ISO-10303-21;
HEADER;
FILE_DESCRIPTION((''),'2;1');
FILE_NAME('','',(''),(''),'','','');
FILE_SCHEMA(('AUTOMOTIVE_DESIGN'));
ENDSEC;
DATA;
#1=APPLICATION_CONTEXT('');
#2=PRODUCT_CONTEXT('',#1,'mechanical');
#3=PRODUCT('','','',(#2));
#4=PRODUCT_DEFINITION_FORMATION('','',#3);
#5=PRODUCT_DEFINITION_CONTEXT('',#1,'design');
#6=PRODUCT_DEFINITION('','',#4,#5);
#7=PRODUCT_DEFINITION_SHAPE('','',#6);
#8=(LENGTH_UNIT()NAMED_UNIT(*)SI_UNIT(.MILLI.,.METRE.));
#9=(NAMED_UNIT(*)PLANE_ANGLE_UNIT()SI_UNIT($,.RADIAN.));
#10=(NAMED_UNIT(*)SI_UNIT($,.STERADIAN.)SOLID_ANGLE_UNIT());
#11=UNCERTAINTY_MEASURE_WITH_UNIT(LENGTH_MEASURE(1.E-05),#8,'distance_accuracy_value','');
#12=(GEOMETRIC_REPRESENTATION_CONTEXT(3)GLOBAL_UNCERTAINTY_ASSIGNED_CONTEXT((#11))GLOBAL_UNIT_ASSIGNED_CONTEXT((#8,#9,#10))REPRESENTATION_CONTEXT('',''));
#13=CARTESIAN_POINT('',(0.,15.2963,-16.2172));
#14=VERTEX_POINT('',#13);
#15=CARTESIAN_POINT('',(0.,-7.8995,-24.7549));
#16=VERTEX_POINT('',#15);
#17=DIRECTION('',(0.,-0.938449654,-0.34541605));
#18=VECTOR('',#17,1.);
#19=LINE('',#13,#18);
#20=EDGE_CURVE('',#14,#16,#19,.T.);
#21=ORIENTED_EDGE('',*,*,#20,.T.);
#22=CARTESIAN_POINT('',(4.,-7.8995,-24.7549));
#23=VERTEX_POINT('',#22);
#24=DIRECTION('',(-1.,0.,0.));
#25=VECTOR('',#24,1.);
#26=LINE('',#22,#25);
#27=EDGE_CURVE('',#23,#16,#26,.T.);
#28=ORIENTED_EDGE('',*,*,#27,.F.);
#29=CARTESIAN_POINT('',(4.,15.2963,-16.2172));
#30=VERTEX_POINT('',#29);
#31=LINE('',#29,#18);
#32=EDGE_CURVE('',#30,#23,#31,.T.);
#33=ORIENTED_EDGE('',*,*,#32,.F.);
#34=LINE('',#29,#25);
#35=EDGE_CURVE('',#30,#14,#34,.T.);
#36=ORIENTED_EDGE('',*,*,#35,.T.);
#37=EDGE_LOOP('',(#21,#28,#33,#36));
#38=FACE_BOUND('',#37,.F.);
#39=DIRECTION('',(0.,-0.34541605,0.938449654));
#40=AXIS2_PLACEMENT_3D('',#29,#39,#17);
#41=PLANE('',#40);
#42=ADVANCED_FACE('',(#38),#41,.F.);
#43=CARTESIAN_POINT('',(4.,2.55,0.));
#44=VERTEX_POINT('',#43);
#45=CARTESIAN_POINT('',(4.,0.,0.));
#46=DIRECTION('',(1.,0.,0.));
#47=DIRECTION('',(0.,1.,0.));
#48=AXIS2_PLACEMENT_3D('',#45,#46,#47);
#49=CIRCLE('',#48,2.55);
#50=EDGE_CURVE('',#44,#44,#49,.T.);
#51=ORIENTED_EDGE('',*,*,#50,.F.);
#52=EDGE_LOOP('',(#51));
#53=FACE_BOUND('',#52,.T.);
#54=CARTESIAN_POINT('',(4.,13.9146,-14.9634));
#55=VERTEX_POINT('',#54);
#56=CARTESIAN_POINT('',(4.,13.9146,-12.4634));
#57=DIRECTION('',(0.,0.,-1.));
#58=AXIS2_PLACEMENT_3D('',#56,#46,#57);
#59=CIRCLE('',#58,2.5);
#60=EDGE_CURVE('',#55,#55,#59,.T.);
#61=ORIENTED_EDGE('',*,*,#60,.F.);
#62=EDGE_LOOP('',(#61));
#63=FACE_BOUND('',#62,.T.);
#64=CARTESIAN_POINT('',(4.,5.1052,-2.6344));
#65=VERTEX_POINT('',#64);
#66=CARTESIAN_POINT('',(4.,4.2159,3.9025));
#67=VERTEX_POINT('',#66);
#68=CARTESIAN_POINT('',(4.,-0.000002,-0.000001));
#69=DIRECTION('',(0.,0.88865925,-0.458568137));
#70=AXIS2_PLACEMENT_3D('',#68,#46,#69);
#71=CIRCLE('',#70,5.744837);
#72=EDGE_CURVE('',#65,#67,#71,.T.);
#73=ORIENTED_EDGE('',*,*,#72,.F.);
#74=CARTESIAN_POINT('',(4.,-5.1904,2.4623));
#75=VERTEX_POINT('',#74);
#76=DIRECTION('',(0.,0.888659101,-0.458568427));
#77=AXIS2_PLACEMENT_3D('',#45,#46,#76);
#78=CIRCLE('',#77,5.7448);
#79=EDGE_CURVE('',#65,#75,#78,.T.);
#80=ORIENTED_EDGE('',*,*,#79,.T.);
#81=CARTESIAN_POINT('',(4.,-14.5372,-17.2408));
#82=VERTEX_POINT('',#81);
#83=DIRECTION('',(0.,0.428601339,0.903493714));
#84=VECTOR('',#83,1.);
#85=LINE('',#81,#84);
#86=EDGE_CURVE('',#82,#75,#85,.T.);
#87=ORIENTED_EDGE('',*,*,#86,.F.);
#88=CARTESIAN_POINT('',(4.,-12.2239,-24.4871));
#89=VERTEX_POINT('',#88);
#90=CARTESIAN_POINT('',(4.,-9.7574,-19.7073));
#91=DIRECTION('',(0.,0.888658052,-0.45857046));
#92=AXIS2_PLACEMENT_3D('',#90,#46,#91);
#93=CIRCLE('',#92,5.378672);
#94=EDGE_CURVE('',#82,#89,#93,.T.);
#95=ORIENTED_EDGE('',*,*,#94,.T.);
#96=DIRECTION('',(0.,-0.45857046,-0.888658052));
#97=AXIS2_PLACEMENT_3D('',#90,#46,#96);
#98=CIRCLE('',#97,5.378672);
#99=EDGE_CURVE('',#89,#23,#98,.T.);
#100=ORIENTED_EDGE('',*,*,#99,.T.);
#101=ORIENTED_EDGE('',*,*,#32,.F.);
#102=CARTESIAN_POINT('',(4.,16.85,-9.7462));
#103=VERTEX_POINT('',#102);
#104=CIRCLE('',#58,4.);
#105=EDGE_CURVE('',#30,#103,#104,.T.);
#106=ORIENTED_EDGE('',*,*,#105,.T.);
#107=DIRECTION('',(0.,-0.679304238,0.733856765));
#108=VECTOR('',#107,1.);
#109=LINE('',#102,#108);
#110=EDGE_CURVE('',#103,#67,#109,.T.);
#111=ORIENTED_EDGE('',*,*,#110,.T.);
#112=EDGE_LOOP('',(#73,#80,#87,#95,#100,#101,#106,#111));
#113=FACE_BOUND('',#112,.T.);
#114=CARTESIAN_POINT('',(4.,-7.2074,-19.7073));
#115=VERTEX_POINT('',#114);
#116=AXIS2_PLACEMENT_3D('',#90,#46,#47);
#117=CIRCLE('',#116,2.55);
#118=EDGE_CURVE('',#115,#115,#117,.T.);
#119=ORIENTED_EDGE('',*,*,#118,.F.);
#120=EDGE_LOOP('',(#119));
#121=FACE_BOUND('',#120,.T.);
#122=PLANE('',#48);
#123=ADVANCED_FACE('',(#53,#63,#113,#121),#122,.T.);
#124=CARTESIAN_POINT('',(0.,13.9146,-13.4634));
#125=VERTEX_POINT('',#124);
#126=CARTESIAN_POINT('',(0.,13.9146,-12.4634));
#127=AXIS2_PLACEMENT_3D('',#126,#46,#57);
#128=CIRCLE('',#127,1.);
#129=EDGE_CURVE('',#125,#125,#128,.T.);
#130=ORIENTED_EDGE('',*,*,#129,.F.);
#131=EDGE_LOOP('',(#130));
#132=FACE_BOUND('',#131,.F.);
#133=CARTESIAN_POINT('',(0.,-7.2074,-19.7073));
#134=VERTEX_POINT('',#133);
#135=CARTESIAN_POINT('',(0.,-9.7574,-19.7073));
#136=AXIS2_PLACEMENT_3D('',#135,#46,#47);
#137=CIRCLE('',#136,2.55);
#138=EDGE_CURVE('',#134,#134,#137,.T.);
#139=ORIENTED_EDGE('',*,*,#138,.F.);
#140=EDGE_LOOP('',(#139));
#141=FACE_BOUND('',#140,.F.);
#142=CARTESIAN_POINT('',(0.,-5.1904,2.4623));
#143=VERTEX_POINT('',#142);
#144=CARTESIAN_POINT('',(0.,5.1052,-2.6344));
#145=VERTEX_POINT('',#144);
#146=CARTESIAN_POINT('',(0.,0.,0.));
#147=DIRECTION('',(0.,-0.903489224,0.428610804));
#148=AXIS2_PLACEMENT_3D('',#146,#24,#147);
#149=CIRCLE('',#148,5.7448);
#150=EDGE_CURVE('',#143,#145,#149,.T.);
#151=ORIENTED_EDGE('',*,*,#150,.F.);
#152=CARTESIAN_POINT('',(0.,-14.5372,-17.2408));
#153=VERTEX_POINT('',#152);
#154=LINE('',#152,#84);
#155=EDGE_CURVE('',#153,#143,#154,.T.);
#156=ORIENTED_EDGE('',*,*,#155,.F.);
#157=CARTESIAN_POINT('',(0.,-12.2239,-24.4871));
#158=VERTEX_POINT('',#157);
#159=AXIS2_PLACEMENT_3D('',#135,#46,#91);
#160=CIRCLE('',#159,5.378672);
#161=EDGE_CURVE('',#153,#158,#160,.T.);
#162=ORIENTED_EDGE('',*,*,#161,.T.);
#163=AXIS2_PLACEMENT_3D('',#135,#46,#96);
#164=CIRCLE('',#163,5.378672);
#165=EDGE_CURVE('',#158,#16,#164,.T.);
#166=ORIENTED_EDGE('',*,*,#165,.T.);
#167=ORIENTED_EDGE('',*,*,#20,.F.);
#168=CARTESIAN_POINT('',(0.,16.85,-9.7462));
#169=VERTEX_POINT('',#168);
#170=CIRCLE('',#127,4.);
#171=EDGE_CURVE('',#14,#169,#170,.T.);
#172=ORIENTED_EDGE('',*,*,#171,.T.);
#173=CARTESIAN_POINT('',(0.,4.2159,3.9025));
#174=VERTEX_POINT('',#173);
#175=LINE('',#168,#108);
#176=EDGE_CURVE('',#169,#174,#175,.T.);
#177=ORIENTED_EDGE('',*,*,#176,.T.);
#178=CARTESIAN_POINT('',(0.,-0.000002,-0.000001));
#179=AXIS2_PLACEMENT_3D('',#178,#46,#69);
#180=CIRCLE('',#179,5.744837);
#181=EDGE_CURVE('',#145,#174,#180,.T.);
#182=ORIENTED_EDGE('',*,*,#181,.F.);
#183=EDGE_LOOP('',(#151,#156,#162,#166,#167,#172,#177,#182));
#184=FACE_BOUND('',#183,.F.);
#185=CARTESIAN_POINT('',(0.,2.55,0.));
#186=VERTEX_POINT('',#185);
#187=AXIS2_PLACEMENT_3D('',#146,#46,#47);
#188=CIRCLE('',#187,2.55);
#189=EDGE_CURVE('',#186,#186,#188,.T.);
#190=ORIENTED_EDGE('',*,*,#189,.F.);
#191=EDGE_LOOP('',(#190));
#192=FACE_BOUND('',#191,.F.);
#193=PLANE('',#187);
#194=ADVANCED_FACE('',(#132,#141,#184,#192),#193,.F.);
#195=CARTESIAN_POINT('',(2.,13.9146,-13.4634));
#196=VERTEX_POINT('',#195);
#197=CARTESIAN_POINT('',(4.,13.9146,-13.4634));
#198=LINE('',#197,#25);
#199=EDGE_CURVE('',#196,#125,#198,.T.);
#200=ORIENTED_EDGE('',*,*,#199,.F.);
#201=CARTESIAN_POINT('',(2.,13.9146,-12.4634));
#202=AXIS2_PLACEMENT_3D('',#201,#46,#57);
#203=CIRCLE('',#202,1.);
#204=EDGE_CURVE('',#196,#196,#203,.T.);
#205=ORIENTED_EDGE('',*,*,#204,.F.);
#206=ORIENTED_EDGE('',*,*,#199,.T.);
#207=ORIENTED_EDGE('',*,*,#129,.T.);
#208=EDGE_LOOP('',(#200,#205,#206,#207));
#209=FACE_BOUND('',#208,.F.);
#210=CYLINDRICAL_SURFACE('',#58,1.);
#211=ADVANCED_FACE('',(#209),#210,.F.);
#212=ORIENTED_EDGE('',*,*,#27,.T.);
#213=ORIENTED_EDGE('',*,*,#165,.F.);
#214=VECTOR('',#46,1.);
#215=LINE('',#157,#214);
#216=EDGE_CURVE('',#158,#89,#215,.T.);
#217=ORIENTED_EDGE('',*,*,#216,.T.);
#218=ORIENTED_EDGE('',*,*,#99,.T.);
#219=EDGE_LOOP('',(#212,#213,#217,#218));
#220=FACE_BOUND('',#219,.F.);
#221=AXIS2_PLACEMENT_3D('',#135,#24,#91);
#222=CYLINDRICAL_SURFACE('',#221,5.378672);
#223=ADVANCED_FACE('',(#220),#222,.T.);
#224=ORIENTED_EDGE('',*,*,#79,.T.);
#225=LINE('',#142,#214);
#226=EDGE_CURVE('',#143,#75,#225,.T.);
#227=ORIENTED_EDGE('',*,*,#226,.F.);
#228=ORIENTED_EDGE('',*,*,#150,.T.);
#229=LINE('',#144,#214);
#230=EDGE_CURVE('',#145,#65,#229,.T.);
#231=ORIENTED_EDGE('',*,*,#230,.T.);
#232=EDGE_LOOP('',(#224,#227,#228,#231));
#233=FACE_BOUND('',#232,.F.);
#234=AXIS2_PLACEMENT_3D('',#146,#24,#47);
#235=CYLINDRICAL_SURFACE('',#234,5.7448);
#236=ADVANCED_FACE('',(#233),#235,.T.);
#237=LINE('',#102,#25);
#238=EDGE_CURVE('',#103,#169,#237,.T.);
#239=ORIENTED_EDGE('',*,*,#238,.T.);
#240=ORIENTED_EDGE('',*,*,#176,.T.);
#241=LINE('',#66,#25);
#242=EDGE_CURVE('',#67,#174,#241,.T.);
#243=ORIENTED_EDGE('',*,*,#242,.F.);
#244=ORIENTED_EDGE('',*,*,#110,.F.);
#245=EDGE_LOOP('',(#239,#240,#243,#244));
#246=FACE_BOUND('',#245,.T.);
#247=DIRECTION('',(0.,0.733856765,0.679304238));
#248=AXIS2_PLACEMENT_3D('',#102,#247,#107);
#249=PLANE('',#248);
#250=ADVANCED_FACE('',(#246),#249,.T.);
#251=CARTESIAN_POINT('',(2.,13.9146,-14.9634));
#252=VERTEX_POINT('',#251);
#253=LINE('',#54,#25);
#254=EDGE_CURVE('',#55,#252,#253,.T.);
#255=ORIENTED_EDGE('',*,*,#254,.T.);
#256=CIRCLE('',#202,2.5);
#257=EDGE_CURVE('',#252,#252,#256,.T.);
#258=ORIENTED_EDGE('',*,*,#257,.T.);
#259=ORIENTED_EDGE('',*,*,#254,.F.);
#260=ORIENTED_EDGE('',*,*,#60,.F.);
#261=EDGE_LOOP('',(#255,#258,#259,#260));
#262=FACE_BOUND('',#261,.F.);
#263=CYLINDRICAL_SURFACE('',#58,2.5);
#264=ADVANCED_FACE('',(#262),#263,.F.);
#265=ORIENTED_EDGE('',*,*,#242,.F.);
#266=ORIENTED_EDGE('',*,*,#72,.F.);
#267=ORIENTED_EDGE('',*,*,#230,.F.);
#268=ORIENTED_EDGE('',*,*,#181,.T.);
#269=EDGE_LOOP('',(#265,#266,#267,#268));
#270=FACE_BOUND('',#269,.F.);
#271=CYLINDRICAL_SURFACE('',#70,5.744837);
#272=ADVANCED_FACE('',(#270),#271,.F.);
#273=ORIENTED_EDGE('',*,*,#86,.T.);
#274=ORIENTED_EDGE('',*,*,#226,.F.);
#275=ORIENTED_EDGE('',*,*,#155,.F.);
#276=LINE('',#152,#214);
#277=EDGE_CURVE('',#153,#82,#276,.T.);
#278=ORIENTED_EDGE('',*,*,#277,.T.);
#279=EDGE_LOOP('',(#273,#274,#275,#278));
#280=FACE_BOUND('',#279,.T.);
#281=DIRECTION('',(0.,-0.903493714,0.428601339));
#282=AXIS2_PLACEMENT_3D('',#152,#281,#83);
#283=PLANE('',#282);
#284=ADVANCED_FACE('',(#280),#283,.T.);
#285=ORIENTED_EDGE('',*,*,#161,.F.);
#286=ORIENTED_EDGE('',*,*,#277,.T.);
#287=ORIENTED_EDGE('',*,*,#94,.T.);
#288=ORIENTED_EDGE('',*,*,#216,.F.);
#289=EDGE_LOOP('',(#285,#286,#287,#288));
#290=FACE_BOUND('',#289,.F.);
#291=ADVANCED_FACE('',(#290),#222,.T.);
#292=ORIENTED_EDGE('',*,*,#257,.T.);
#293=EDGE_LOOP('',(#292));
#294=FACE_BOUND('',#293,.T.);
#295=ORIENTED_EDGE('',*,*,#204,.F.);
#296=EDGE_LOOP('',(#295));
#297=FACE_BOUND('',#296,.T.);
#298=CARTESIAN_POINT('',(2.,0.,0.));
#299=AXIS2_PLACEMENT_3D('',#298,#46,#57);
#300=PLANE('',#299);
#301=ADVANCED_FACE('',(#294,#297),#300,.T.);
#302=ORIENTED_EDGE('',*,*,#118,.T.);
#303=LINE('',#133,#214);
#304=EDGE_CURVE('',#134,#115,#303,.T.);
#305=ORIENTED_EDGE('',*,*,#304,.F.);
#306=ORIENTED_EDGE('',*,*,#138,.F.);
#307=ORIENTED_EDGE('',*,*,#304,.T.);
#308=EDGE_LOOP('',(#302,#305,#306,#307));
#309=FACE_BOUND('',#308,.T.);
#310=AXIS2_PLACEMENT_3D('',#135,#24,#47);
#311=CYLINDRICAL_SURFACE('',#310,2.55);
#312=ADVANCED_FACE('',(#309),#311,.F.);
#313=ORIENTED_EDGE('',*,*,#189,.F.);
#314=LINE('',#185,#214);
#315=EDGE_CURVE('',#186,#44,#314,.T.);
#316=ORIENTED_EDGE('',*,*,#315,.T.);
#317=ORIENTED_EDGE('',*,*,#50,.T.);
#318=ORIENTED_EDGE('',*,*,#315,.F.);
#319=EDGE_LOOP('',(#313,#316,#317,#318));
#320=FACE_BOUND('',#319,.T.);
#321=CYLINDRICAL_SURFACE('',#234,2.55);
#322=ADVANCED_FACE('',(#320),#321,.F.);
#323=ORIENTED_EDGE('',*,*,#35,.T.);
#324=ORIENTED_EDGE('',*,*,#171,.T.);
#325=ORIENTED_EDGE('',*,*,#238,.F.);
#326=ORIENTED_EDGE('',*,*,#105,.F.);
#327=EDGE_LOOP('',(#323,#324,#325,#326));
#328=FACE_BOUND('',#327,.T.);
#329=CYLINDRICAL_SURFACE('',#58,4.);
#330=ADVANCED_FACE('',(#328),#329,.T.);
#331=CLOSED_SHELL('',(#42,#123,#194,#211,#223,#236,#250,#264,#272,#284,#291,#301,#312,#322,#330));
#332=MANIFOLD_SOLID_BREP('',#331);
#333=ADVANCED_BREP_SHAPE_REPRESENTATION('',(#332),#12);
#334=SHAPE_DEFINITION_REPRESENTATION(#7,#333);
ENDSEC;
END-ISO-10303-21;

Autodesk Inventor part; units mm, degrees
ref_plane "YZ Plane" through (0, 0, 0) normal (1, 0, 0) x (0, 1, 0)
ref_plane "XZ Plane" through (0, 0, 0) normal (0, 1, 0) x (-1, 0, 0)
ref_plane "XY Plane" through (0, 0, 0) normal (0, 0, 1) x (1, 0, 0)
sketch "Sketch1" plane through (0, 0, 0) normal (1, 0, 0) x (0, 1, 0)
  circle A0 centre (-9.7574, -19.7073) radius 1.55 construction
  circle A1 centre (0, 0) radius 1.55 construction
  circle A2 centre (-9.7574, -19.7073) radius 2.55
  circle A3 centre (0, 0) radius 2.55
  line L0 (-6.0684, -24.2876) -> (12.7398, 12.1607) construction
  arc A4 (-12.2239, -24.4871) -> (-4.9776, -22.1738) centre (-9.7574, -19.7073) ccw
  circle A5 centre (0, 0) radius 5.7448
  line L1 (-4.9776, -22.1738) -> (5.1052, -2.6344)
  arc A6 (-4.9776, -22.1738) -> (-12.2239, -24.4871) centre (-9.7574, -19.7073) ccw
  line L2 (-14.5372, -17.2408) -> (-5.1904, 2.4623)
  line L3 (0, 0) -> (0, -27.0135) construction
  line L4 (0, 0) -> (-9.7574, -19.7073) construction
  point P0 (-10.1101, -25.5779)
  dimension "d0" = 5.1
  dimension "d1" = 5.1
  dimension "d3" = 11.4897
  dimension "d4" = 5.3787
  dimension "d5" = 21.8076
  dimension "d6" = 21.9875
extrude "Extrusion1" add sketch "Sketch1" along normal blind 4
sketch "Sketch2" plane through (4, 0, 0) normal (1, 0, 0) x (0, 0, -1)
  arc A0 (17.2408, -14.5372) -> (22.1738, -4.9776) centre (19.7073, -9.7574) ccw projected
  line L0 (22.1738, -4.9776) -> (2.6344, 5.1052) projected
  arc A1 (2.6344, 5.1052) -> (-2.4623, -5.1904) centre (0, 0) ccw projected
  line L1 (-2.4623, -5.1904) -> (17.2408, -14.5372) construction
  circle A2 centre (19.7073, -9.7574) radius 2.55 construction
  circle A3 centre (0, 0) radius 2.55 construction
  circle A4 centre (19.7073, -9.7574) radius 2.55 construction
  line L2 (-0.0042, 0.0021) -> (19.7073, -9.7574) construction
  circle A5 centre (12.4634, 13.9146) radius 1
  circle A6 centre (12.4634, 13.9146) radius 4
  line L3 (9.7462, 16.85) -> (-3.9025, 4.2159)
  arc A7 (2.6344, 5.1052) -> (-2.4623, -5.1904) centre (0, 0) ccw projected
  line L4 (16.2172, 15.2963) -> (24.7549, -7.8995)
  line L5 (-12.5084, -12.3162) -> (6.9664, 27.0174)
  point P0 (-3.9025, 4.2159)
  dimension "d11" = 2
  dimension "d12" = 8
  dimension "d20" = 18
  dimension "d21" = 10.7401
extrude "Extrusion2" add sketch "Sketch2" against normal up to surface (4 mm away)
sketch "Sketch3" plane through (4, 0, 0) normal (1, 0, 0) x (0, 0, -1)
  circle A0 centre (12.4634, 13.9146) radius 1 projected
  circle A1 centre (12.4634, 13.9146) radius 2.5
  point P0 (0, 0)
  dimension "d15" = 5
extrude "Extrusion3" cut sketch "Sketch3" against normal blind 2
properties part number "Kauri modular camera mount HDzero micro v1" material "Brass, Soft Yellow"
